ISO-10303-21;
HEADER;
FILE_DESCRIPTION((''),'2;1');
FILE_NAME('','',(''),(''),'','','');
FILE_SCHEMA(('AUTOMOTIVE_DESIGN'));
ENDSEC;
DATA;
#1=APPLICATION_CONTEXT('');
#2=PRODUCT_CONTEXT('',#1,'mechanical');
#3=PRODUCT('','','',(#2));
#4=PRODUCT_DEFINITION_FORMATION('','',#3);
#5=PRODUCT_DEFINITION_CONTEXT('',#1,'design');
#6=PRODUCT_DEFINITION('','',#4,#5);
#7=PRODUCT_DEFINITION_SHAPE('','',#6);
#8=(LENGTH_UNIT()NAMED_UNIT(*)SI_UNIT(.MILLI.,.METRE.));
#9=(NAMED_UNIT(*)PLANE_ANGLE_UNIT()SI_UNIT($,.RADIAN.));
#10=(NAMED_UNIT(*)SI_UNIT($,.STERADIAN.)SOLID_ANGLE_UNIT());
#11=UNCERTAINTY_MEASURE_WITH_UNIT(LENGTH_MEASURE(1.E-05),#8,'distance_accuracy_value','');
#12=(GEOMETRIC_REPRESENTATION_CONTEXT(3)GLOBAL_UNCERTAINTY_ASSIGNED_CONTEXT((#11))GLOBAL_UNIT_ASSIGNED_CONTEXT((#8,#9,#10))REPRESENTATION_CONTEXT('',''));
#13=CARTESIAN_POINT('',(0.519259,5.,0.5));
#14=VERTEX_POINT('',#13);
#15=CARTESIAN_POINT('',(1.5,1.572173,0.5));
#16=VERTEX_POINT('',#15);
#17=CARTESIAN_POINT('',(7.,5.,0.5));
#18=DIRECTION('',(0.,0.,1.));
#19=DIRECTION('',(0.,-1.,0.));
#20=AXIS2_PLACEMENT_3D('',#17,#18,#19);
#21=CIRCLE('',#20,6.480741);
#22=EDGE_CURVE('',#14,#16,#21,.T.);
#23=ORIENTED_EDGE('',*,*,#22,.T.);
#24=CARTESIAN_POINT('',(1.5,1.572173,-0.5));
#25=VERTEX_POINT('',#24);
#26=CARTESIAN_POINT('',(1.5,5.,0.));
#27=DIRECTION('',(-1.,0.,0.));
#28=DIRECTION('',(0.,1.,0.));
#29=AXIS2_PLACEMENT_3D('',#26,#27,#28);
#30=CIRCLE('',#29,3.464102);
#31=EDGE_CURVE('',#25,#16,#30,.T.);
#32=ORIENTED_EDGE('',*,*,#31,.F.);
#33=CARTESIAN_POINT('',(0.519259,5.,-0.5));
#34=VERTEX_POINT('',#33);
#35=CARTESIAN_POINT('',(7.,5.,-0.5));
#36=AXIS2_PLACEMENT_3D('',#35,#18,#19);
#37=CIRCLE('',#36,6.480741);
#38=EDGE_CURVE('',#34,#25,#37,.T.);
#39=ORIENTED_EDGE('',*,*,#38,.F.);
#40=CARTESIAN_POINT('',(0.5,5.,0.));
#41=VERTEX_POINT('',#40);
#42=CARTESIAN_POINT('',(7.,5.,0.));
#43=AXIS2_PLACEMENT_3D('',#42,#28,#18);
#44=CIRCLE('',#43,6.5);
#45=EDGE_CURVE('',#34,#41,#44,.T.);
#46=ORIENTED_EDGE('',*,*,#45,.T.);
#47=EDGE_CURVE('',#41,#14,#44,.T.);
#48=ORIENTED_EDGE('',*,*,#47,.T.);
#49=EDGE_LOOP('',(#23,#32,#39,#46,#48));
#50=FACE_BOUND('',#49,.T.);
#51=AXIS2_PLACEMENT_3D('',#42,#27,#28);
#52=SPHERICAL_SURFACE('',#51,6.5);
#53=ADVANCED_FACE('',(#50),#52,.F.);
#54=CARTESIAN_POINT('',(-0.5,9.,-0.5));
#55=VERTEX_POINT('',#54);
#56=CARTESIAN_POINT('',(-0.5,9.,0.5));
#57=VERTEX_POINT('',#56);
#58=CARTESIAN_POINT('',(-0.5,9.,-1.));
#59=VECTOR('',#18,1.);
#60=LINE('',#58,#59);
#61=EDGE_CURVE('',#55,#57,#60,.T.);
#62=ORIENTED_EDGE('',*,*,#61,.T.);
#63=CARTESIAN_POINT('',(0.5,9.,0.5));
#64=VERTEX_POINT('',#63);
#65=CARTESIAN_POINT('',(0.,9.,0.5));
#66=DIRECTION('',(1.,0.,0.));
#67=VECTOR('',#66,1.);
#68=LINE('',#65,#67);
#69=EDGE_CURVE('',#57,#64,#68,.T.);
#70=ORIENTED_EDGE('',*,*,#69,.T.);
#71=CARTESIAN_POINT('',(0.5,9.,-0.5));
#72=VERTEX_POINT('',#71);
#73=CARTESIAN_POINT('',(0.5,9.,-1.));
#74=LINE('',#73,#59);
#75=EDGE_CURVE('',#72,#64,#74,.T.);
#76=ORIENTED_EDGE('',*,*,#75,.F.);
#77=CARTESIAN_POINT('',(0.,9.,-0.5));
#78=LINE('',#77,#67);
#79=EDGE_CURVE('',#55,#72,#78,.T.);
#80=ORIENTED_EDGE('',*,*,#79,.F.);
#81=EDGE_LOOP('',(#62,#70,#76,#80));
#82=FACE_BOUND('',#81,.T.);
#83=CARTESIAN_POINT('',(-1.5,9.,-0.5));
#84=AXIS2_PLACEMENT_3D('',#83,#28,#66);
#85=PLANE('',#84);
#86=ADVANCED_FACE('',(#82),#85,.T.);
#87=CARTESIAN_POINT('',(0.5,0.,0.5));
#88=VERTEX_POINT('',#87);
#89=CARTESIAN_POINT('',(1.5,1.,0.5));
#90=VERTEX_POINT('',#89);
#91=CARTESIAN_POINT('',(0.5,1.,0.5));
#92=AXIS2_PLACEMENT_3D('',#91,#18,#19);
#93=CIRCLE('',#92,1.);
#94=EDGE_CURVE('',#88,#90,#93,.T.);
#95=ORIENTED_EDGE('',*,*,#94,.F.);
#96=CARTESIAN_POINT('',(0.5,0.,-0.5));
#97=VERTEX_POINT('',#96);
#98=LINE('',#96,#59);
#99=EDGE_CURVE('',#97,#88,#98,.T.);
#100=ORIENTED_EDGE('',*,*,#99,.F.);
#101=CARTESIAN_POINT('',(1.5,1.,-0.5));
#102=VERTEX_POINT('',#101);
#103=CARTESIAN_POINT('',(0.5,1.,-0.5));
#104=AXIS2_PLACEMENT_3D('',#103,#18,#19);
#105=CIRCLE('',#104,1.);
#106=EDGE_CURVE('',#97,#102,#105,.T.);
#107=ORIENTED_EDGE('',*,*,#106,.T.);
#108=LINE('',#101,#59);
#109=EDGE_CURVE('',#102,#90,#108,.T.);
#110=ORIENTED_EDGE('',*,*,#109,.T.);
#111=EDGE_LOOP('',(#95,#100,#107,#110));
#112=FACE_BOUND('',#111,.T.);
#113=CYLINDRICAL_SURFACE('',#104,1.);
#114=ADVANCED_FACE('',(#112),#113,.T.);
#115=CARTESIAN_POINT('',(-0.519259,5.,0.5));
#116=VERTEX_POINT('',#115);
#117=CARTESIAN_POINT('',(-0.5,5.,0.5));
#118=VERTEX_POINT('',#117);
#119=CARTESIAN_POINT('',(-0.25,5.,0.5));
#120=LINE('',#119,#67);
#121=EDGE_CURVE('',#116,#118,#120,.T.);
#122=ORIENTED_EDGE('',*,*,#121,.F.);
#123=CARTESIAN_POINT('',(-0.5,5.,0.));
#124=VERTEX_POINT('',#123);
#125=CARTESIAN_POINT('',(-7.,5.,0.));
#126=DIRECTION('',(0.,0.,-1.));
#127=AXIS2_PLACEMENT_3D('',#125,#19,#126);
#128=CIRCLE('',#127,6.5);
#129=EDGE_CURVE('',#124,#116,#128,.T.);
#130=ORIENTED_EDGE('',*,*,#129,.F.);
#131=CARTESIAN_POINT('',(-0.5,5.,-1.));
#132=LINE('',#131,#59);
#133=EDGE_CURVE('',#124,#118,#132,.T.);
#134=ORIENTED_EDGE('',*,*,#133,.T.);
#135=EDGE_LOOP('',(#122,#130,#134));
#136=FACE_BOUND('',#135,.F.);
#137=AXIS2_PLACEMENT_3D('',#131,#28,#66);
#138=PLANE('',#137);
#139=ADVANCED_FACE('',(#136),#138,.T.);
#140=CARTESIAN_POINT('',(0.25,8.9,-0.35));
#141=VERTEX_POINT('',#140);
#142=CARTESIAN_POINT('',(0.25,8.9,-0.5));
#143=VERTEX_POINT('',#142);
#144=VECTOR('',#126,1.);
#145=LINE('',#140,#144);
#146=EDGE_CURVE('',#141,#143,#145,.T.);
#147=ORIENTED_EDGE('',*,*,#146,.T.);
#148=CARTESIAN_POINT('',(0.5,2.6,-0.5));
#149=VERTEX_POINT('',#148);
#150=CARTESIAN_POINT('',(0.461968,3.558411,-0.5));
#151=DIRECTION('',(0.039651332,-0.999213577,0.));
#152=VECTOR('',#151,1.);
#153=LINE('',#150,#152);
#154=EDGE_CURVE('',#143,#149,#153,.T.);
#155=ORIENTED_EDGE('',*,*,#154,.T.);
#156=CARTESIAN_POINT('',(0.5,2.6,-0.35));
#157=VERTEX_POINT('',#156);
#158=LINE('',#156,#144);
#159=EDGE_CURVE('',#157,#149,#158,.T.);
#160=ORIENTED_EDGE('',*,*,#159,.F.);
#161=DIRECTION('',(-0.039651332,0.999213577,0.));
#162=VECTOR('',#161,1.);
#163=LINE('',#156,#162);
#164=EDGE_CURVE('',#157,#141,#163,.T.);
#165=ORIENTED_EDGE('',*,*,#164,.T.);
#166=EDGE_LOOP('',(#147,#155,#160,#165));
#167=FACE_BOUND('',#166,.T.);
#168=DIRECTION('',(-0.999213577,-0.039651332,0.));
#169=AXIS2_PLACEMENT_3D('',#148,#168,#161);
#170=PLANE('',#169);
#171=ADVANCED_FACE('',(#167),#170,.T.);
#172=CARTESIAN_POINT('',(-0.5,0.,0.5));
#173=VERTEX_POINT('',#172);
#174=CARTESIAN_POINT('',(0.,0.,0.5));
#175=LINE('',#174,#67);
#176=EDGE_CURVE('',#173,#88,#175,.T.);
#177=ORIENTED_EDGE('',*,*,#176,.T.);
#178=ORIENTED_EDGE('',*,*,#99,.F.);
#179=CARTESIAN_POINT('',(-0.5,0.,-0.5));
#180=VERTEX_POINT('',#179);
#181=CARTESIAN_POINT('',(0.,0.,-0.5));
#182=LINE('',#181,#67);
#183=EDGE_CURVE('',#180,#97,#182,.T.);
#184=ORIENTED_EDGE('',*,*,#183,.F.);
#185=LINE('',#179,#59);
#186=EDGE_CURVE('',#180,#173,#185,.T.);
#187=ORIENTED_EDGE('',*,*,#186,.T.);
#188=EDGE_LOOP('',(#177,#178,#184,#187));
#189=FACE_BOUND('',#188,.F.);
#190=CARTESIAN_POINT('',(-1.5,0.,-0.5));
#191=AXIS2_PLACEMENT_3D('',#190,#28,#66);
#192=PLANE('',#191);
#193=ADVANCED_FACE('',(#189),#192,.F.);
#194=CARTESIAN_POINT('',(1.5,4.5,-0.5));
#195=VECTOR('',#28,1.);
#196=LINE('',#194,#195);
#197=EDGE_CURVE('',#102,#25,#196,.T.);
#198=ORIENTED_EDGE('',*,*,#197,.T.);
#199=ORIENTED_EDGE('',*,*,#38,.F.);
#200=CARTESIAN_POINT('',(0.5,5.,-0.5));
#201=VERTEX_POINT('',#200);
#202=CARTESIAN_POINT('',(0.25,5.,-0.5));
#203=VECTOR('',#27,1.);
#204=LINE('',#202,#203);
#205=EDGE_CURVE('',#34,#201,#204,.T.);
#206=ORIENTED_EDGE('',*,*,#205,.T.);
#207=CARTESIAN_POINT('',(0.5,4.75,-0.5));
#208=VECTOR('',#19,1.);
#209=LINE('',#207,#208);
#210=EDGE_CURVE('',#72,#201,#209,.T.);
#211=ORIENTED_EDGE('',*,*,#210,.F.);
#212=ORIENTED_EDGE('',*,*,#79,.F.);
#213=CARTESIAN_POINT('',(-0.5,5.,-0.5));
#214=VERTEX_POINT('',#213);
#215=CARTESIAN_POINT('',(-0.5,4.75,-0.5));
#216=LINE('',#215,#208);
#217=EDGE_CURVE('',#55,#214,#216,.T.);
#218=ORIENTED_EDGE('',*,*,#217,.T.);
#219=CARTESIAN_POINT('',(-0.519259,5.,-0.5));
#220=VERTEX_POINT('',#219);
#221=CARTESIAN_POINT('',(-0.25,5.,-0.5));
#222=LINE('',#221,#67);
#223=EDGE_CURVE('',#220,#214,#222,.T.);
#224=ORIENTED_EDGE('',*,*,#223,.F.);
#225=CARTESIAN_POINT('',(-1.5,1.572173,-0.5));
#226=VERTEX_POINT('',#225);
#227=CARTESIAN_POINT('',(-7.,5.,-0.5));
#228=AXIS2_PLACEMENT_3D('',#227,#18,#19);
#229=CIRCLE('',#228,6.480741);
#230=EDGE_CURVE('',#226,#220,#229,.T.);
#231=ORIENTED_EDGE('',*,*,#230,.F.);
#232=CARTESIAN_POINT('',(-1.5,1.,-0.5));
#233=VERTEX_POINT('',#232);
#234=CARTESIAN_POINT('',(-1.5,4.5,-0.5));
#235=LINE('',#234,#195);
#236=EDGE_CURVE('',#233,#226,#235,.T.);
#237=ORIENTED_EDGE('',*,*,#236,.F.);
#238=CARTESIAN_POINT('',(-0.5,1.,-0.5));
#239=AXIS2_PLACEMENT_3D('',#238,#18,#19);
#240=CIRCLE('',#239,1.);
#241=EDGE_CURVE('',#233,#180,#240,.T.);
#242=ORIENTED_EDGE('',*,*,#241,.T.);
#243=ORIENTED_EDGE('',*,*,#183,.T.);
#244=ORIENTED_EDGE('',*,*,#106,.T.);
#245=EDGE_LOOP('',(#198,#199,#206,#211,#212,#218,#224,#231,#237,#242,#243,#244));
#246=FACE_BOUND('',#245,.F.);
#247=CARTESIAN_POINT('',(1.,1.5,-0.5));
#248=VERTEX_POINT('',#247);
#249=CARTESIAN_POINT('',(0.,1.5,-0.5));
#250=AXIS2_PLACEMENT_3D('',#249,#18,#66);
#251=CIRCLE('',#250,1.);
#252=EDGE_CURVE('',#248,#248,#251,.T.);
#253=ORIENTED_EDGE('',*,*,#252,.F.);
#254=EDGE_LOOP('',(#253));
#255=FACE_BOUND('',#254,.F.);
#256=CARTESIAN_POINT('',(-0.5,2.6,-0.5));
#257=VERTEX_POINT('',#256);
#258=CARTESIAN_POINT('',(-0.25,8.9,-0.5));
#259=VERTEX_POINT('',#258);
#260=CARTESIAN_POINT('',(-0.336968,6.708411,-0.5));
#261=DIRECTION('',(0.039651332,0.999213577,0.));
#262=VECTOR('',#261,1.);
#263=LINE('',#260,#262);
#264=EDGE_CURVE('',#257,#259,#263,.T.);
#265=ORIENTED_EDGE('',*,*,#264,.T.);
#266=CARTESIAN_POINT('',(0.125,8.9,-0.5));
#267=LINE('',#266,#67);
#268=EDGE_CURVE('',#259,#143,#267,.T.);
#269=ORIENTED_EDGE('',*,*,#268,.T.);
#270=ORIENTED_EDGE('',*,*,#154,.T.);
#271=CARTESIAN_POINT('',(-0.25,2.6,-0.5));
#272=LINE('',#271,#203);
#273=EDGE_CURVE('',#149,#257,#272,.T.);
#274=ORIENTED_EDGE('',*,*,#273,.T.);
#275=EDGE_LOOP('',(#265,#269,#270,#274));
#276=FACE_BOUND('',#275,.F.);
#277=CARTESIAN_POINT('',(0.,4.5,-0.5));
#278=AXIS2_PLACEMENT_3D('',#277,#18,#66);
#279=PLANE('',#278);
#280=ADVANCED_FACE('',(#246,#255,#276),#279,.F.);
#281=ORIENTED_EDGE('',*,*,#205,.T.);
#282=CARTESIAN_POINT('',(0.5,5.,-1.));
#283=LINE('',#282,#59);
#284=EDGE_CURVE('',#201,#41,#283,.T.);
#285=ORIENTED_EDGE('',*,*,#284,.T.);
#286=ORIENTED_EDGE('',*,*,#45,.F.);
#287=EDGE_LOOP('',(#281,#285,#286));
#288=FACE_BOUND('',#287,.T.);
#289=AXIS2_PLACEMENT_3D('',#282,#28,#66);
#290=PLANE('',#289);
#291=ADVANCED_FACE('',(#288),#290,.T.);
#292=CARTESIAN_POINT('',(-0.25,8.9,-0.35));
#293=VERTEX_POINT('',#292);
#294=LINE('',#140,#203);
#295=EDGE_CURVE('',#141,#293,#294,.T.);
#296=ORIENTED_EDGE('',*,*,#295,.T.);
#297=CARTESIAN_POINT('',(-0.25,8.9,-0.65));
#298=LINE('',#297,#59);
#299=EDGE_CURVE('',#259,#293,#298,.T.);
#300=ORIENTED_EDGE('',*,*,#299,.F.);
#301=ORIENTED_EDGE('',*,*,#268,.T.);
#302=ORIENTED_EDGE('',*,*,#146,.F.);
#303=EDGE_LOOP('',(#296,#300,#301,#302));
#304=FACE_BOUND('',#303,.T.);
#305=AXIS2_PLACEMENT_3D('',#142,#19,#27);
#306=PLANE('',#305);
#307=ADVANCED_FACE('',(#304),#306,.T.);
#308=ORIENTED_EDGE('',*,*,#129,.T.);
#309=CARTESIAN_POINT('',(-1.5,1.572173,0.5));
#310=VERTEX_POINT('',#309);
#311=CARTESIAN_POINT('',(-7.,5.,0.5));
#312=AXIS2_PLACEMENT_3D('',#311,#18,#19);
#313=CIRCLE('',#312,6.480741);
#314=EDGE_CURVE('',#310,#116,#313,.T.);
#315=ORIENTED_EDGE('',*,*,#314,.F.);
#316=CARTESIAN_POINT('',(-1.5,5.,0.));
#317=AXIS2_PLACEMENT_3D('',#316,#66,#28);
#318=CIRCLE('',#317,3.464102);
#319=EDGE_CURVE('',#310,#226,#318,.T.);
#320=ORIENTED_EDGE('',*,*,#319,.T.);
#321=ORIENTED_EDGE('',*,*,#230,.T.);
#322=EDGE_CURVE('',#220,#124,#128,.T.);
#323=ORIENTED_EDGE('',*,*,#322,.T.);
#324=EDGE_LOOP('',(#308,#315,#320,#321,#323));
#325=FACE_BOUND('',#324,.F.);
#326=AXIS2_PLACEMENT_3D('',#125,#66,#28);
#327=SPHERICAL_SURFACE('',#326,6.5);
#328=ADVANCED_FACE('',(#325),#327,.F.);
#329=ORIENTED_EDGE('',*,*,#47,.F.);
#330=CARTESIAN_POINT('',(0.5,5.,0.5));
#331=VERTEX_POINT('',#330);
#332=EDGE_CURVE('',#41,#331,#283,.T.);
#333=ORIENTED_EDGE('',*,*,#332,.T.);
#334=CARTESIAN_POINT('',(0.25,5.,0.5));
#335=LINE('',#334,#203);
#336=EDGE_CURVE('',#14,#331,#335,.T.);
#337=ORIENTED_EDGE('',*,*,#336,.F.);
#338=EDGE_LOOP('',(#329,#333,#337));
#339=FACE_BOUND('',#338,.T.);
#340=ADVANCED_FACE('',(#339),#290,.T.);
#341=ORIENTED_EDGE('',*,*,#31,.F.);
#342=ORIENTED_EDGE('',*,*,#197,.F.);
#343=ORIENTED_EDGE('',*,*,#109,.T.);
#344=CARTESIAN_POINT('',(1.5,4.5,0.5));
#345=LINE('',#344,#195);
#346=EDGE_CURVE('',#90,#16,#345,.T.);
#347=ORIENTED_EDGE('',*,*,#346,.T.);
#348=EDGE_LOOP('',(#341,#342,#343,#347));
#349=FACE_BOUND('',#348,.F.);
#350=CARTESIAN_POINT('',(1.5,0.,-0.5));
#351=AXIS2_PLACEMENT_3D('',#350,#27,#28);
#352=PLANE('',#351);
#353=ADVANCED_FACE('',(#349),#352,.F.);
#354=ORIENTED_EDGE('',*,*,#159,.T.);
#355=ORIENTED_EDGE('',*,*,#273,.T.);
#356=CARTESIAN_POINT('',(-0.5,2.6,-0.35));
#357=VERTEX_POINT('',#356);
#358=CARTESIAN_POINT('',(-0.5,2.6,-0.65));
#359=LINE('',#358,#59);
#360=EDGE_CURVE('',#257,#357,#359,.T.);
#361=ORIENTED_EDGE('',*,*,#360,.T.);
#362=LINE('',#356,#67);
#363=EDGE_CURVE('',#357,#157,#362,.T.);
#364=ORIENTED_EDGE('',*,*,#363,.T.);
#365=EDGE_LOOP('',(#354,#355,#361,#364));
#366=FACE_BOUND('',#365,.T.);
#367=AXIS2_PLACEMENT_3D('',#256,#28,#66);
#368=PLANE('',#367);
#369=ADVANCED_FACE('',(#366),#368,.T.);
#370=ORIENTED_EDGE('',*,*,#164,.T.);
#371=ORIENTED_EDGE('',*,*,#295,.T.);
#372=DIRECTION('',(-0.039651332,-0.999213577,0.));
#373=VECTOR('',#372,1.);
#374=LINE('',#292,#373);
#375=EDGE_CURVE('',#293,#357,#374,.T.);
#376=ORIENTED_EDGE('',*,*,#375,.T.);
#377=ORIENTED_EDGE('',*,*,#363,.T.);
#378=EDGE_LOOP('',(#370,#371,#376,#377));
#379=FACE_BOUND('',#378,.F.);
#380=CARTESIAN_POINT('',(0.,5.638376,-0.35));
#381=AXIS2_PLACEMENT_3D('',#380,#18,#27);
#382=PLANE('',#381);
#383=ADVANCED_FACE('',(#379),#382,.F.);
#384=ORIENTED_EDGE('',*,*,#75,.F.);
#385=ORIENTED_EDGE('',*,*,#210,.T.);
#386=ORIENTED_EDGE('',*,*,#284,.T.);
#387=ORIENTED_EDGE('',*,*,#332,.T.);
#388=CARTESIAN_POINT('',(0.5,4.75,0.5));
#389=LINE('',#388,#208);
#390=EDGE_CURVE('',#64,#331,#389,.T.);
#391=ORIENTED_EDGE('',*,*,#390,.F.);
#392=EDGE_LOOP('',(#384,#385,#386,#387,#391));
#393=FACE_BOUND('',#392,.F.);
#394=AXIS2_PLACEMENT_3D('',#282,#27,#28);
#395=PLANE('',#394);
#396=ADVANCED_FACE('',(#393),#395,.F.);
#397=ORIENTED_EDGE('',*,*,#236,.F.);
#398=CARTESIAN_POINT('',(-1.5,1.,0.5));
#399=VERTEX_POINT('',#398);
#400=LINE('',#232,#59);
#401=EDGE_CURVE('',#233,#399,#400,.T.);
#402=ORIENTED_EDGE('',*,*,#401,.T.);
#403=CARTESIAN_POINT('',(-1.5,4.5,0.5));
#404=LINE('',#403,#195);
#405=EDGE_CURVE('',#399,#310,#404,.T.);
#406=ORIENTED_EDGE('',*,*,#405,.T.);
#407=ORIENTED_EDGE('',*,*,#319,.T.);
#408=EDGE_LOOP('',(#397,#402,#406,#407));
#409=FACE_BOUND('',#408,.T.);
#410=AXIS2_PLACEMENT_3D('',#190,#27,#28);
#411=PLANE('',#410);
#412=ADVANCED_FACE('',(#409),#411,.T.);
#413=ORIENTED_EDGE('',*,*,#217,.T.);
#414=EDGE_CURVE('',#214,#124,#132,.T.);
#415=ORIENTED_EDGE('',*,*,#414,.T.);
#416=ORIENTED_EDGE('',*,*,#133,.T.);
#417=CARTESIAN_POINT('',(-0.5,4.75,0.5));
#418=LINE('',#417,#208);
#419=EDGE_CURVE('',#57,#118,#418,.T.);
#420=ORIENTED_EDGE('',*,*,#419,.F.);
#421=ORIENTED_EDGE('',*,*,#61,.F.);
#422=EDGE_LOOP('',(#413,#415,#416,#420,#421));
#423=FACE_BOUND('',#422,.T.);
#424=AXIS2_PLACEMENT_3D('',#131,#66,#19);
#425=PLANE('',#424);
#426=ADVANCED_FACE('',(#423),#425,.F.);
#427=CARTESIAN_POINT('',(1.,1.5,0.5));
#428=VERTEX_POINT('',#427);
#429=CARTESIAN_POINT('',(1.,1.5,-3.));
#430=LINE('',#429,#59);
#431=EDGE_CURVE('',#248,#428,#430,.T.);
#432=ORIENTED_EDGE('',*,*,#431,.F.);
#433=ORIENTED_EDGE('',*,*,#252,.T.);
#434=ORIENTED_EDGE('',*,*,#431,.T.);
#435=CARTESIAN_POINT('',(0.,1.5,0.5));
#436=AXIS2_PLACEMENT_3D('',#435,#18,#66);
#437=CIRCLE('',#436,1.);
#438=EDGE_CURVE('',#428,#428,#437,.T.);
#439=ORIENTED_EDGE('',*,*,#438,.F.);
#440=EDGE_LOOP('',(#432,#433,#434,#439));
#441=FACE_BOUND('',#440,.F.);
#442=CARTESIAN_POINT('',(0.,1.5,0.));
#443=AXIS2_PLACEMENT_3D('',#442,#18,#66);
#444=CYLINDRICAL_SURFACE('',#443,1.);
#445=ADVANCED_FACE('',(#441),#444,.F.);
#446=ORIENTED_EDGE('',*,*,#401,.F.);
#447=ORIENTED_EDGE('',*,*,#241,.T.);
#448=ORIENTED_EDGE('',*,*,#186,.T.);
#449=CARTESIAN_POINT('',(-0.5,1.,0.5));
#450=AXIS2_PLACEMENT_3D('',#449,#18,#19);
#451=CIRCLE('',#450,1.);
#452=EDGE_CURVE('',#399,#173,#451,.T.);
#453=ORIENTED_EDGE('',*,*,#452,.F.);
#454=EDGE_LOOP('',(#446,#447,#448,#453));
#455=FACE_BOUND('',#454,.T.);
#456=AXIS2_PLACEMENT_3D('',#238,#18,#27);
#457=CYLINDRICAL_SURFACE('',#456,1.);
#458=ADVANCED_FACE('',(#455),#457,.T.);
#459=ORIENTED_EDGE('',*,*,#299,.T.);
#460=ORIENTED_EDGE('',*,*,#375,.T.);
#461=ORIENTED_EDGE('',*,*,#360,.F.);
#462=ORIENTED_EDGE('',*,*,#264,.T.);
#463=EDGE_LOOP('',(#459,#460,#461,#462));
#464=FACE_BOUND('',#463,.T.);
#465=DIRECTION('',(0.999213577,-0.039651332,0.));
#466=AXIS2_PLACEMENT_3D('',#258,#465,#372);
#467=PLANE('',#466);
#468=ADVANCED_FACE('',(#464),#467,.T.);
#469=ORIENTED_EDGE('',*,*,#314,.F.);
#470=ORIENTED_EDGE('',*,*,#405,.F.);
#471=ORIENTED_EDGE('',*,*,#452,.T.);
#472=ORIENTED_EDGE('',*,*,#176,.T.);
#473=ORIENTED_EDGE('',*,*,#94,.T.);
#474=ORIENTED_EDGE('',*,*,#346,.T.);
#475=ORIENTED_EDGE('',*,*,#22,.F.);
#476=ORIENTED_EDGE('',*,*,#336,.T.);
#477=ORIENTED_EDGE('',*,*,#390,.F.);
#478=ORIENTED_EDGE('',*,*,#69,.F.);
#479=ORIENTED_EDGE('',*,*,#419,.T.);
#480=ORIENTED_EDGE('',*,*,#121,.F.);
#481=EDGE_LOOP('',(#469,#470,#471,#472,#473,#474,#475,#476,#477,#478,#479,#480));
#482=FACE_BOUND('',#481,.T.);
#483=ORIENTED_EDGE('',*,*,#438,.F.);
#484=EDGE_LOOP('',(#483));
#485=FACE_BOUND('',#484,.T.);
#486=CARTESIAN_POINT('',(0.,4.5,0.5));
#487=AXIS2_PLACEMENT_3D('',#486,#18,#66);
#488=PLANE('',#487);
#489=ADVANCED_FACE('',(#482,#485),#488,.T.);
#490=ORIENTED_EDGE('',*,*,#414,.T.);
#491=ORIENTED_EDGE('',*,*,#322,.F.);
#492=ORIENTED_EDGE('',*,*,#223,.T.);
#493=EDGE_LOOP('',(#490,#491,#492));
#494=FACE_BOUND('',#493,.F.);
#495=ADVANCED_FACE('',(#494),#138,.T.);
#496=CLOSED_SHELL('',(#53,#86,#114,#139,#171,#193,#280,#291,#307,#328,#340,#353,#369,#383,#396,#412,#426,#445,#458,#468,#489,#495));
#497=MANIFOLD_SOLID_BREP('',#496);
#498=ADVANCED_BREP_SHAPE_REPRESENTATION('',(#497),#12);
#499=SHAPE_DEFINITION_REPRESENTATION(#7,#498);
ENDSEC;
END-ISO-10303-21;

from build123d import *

# Parameters (mm, degrees)
BOX_W           = 3
BOX_H           = 9
BOX_DEPTH       = 1
SKETCH_R        = 1
POCKET_DEPTH    = 3
BOX001_W        = 2
BOX001_H        = 4
BOX001_DEPTH    = 2
POCKET001_DEPTH = 0.15
FILLET_R        = 1


with BuildPart() as part:
    # Box → Box (join)
    with BuildSketch(Plane(origin=(-1.5, 0, -0.5), x_dir=(1, 0, 0), z_dir=(0, 0, 1))):
        with Locations((1.5, 4.5)):
            Rectangle(BOX_W, BOX_H)
    extrude(amount=BOX_DEPTH)

    # Sketch → Pocket (cut, symmetric)
    with BuildSketch(Plane.XY):
        with Locations((0, 1.5)):
            Circle(SKETCH_R)
    extrude(amount=POCKET_DEPTH, both=True, mode=Mode.SUBTRACT)

    # Sphere → Sphere (revolve, cut)
    with BuildSketch(Plane(origin=(-7, 5, 0), x_dir=(0, 1, 0), z_dir=(0, 0, -1))):
        with BuildLine():
            ThreePointArc((0, -6.5), (6.5, 0), (0, 6.5))
            Line((0, 6.5), (0, -6.5))
        make_face()
    sphere = revolve(axis=Axis((-7, 5, 0), (1, 0, 0)), mode=Mode.SUBTRACT)

    # Mirrored: Sphere across YZ
    add(sphere.mirror(Plane.YZ), mode=Mode.SUBTRACT)

    # Box001 → Box001 (cut)
    with BuildSketch(Plane(origin=(0.5, 5, -1), x_dir=(1, 0, 0), z_dir=(0, 0, 1))):
        with Locations((1, 2)):
            Rectangle(BOX001_W, BOX001_H)
    box001 = extrude(amount=BOX001_DEPTH, mode=Mode.SUBTRACT)

    # Mirrored001: Box001 across YZ
    add(box001.mirror(Plane.YZ), mode=Mode.SUBTRACT)

    # Sketch001 (on Face4 of Mirrored001) → Pocket001 (cut, symmetric)
    with BuildSketch(Plane(origin=(0.5, 5, -0.5), x_dir=(1, 0, 0), z_dir=(0, 0, -1))):
        Polygon((-0.25, -3.9), (-0.75, -3.9), (-1, 2.4), (0, 2.4), align=None)
    extrude(amount=POCKET001_DEPTH, both=True, mode=Mode.SUBTRACT)

    # Fillet
    fillet_edges = [part.edges().sort_by_distance(p)[0] for p in [
        (-1.5, 0, 0),
        (1.5, 0, 0),
    ]]
    fillet(fillet_edges, radius=FILLET_R)


solid = part.part
